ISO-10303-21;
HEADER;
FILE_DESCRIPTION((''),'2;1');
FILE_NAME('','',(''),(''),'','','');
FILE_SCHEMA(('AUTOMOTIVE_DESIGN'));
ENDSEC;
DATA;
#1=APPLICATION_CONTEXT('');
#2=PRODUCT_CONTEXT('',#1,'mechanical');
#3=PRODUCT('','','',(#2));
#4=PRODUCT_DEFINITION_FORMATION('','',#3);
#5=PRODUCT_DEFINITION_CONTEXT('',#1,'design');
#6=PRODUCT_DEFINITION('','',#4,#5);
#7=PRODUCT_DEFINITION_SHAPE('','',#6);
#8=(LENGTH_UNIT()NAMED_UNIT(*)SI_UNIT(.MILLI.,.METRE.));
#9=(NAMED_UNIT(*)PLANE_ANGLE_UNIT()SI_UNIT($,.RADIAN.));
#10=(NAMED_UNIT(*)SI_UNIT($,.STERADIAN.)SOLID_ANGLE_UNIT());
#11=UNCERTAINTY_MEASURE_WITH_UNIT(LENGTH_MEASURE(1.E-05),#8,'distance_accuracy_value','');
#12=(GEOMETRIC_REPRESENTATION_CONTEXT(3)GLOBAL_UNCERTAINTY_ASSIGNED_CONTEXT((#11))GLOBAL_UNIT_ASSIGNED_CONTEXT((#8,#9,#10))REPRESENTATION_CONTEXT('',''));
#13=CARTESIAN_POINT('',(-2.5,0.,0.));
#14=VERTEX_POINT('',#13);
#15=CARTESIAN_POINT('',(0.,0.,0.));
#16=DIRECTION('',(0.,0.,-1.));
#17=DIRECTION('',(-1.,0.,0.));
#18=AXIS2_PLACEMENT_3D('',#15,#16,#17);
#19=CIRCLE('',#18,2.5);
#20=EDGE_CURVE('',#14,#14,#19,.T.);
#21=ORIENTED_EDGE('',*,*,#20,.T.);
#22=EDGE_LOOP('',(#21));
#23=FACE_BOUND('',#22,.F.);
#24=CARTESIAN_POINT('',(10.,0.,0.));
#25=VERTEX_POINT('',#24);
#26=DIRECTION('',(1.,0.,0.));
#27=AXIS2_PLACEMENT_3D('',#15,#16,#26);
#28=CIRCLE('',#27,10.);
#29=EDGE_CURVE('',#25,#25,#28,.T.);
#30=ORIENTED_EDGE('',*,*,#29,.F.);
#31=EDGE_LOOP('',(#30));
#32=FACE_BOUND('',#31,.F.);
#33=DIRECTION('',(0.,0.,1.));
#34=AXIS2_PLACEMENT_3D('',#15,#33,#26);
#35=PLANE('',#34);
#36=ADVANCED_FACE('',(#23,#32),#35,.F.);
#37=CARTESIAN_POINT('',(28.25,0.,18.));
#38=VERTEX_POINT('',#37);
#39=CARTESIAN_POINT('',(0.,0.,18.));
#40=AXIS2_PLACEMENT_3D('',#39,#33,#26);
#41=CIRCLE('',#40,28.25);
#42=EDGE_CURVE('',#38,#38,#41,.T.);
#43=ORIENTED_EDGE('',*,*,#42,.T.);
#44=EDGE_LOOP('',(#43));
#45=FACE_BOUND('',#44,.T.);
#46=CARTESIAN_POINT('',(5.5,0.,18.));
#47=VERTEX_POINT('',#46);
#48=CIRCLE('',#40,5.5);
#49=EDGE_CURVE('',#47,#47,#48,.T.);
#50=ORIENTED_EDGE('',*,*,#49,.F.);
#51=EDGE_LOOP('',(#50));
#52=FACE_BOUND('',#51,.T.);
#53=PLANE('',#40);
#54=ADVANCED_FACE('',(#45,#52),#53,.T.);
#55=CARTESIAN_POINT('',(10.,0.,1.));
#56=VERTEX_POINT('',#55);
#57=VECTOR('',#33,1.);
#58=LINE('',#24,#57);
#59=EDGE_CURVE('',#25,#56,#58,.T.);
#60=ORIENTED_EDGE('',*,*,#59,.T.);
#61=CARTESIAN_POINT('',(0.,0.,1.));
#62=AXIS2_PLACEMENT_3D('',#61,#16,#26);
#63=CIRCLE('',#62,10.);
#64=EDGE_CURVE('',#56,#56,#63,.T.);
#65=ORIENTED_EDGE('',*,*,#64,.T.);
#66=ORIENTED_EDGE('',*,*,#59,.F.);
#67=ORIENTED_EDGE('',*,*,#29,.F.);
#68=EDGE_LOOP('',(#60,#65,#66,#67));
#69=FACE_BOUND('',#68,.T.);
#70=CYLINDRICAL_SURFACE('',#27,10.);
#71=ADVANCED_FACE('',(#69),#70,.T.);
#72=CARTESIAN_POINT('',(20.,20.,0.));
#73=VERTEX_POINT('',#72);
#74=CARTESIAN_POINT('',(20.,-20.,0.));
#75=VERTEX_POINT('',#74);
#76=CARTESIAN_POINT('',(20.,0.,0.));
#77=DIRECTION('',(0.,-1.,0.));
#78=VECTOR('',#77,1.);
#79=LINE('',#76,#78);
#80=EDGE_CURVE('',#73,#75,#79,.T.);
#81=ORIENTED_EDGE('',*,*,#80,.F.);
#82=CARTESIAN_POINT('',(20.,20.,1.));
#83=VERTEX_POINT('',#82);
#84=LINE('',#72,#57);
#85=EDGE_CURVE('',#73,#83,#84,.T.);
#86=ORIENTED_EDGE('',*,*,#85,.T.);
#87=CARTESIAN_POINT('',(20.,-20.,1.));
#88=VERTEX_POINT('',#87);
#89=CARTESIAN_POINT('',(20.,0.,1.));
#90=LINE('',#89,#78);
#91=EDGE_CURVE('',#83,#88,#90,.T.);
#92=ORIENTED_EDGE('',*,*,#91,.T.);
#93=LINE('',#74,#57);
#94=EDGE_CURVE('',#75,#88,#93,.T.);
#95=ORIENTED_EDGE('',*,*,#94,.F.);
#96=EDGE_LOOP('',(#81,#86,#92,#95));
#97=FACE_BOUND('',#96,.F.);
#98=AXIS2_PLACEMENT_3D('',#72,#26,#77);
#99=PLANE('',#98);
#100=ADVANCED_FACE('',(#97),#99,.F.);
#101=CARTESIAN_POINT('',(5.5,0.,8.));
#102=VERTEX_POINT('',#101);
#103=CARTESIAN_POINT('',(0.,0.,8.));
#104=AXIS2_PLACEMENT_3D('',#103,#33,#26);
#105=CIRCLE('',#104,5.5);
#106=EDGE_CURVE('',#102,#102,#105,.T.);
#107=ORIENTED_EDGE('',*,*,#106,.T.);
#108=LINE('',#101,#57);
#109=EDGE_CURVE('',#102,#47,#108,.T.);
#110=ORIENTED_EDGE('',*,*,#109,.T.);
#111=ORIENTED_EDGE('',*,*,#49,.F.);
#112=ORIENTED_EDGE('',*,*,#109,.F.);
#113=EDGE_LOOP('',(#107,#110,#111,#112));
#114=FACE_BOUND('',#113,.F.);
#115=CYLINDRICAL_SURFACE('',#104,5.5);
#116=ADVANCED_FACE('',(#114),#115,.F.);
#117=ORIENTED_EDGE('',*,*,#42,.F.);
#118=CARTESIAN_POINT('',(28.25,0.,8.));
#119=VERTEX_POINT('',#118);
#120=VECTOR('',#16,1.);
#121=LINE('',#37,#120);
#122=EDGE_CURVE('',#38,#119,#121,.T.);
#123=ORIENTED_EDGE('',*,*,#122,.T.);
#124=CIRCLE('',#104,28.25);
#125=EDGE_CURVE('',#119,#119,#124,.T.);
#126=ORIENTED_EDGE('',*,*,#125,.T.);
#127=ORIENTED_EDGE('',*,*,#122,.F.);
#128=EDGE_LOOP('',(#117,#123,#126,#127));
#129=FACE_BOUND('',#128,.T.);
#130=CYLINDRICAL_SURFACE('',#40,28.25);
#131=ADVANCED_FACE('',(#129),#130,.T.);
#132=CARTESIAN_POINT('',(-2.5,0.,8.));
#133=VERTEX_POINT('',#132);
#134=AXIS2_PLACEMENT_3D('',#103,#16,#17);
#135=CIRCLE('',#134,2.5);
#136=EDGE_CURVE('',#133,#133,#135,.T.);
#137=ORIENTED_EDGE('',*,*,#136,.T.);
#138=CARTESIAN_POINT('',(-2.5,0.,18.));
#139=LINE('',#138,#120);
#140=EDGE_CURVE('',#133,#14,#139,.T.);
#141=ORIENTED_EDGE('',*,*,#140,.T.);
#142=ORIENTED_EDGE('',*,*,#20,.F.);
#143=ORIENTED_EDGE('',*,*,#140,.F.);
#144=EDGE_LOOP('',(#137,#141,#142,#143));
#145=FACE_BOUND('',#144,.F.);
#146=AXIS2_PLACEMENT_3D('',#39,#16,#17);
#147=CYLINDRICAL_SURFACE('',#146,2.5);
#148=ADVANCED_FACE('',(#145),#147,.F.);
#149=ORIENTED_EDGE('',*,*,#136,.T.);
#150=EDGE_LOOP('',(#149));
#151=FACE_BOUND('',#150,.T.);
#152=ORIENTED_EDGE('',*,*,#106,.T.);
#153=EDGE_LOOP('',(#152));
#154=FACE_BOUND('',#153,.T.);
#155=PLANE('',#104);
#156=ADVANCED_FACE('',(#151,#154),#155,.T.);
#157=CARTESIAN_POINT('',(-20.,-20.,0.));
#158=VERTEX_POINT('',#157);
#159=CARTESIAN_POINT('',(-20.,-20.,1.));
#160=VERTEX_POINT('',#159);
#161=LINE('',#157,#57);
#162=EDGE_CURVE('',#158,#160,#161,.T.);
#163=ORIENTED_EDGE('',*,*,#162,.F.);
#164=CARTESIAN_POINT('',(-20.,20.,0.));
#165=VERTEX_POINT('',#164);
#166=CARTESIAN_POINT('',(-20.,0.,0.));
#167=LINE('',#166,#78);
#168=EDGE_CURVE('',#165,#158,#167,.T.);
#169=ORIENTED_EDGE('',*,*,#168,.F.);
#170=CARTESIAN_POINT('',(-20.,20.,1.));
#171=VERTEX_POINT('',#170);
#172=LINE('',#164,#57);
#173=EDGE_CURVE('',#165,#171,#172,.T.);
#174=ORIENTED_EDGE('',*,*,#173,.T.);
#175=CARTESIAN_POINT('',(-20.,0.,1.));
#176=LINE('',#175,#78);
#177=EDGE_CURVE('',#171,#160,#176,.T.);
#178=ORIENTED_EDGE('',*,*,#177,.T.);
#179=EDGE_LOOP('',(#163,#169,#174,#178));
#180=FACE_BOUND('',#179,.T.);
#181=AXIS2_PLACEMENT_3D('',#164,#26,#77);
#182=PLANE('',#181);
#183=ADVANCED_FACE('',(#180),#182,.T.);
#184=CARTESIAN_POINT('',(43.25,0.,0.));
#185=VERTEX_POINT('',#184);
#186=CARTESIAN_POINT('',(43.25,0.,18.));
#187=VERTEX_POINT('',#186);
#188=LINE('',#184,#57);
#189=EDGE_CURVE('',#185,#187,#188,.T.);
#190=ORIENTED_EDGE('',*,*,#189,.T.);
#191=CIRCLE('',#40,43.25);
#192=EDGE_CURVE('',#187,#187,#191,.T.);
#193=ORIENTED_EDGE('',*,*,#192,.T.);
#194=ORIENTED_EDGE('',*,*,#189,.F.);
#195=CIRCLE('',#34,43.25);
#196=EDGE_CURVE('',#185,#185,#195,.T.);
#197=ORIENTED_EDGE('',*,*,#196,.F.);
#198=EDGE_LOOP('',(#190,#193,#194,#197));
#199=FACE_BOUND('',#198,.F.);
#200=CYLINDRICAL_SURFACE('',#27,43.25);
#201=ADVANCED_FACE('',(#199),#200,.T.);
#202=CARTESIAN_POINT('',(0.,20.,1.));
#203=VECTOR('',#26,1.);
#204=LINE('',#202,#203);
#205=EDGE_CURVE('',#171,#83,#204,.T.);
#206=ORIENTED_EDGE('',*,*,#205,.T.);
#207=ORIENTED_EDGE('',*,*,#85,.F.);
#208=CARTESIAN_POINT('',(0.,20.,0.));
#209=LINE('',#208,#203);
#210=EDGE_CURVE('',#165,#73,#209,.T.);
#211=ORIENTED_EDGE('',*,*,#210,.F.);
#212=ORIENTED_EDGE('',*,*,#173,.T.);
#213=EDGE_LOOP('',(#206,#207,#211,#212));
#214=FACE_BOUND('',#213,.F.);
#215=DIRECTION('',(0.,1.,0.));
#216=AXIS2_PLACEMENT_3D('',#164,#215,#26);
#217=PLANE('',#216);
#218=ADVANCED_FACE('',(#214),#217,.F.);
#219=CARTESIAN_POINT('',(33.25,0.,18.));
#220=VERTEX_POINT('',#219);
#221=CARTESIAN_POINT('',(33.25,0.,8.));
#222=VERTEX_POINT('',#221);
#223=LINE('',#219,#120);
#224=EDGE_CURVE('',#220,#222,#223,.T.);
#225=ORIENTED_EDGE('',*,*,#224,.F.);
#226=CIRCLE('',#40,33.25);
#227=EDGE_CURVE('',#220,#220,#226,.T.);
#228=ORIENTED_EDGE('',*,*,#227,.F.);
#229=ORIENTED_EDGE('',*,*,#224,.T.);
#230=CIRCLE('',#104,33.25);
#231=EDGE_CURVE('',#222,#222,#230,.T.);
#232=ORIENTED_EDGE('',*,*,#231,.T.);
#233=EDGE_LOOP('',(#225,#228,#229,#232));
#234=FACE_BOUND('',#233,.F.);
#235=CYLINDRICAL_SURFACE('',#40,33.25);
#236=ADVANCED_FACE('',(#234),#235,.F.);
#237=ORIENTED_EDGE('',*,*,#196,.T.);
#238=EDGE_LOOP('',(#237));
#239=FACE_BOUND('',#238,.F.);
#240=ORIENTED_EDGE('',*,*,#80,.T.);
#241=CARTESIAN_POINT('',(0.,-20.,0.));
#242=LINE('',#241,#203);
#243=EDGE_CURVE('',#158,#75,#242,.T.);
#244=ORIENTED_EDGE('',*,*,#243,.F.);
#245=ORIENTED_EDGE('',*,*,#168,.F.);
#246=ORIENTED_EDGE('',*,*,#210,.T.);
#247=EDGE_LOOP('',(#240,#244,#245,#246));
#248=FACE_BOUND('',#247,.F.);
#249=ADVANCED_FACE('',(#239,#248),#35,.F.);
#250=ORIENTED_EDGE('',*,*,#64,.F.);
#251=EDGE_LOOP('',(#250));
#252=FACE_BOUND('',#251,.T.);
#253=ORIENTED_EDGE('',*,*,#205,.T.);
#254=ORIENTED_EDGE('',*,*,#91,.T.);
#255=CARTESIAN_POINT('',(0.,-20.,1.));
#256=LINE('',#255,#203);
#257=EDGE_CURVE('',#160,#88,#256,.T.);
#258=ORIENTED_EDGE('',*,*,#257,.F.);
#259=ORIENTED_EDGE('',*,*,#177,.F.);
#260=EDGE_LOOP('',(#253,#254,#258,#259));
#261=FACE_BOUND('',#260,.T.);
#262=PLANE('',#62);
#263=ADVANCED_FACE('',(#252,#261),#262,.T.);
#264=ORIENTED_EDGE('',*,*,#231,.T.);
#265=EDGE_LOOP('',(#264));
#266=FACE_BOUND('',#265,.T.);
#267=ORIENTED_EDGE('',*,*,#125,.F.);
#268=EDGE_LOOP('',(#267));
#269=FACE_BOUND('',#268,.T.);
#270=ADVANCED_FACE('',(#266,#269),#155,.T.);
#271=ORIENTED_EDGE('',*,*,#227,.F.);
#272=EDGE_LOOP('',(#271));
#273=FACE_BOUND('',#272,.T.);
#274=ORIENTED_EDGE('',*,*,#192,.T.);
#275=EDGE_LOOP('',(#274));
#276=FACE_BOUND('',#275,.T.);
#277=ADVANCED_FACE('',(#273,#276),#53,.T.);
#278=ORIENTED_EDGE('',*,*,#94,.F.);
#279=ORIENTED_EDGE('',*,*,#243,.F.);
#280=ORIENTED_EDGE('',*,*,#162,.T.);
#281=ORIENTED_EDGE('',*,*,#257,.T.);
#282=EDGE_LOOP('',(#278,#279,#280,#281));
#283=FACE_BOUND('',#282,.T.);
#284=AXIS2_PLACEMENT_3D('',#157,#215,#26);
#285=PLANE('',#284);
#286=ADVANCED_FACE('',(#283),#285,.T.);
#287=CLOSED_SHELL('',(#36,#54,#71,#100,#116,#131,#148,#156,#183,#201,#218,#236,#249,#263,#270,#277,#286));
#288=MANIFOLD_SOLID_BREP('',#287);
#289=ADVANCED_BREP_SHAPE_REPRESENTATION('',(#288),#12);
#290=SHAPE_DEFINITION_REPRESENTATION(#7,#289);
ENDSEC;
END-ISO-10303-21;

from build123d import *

# Parameters (mm, degrees)
SKETCH005_R      = 43.25
PAD002_DEPTH     = 18
SKETCH006_R      = 33.25
SKETCH006_R_2    = 28.25
POCKET003_DEPTH  = 10
HOLE_D           = 5
HOLE_CBORE_D     = 11
HOLE_CBORE_DEPTH = 10
SKETCH008_W      = 40
SKETCH008_H      = 40
SKETCH008_R      = 10
POCKET004_DEPTH  = 1


with BuildPart() as part:
    # Sketch005 → Pad002 (new body)
    with BuildSketch(Plane.XY):
        Circle(SKETCH005_R)
    extrude(amount=PAD002_DEPTH)

    # Sketch006 (on Face3 of Pad002) → Pocket003 (cut)
    with BuildSketch(Plane.XY.offset(18)):
        Circle(SKETCH006_R)
        Circle(SKETCH006_R_2, mode=Mode.SUBTRACT)
    extrude(amount=-POCKET003_DEPTH, mode=Mode.SUBTRACT)

    # Hole (through all)
    with Locations(Plane.XY.offset(18)):
        with Locations((0, 0)):
            CounterBoreHole(HOLE_D / 2, HOLE_CBORE_D / 2, HOLE_CBORE_DEPTH)

    # Sketch008 (on Face2 of Hole) → Pocket004 (cut)
    with BuildSketch(Plane(origin=(0, 0, 0), x_dir=(1, 0, 0), z_dir=(0, 0, -1))):
        Rectangle(SKETCH008_W, SKETCH008_H)
        Circle(SKETCH008_R, mode=Mode.SUBTRACT)
    extrude(amount=-POCKET004_DEPTH, mode=Mode.SUBTRACT)


solid = part.part
